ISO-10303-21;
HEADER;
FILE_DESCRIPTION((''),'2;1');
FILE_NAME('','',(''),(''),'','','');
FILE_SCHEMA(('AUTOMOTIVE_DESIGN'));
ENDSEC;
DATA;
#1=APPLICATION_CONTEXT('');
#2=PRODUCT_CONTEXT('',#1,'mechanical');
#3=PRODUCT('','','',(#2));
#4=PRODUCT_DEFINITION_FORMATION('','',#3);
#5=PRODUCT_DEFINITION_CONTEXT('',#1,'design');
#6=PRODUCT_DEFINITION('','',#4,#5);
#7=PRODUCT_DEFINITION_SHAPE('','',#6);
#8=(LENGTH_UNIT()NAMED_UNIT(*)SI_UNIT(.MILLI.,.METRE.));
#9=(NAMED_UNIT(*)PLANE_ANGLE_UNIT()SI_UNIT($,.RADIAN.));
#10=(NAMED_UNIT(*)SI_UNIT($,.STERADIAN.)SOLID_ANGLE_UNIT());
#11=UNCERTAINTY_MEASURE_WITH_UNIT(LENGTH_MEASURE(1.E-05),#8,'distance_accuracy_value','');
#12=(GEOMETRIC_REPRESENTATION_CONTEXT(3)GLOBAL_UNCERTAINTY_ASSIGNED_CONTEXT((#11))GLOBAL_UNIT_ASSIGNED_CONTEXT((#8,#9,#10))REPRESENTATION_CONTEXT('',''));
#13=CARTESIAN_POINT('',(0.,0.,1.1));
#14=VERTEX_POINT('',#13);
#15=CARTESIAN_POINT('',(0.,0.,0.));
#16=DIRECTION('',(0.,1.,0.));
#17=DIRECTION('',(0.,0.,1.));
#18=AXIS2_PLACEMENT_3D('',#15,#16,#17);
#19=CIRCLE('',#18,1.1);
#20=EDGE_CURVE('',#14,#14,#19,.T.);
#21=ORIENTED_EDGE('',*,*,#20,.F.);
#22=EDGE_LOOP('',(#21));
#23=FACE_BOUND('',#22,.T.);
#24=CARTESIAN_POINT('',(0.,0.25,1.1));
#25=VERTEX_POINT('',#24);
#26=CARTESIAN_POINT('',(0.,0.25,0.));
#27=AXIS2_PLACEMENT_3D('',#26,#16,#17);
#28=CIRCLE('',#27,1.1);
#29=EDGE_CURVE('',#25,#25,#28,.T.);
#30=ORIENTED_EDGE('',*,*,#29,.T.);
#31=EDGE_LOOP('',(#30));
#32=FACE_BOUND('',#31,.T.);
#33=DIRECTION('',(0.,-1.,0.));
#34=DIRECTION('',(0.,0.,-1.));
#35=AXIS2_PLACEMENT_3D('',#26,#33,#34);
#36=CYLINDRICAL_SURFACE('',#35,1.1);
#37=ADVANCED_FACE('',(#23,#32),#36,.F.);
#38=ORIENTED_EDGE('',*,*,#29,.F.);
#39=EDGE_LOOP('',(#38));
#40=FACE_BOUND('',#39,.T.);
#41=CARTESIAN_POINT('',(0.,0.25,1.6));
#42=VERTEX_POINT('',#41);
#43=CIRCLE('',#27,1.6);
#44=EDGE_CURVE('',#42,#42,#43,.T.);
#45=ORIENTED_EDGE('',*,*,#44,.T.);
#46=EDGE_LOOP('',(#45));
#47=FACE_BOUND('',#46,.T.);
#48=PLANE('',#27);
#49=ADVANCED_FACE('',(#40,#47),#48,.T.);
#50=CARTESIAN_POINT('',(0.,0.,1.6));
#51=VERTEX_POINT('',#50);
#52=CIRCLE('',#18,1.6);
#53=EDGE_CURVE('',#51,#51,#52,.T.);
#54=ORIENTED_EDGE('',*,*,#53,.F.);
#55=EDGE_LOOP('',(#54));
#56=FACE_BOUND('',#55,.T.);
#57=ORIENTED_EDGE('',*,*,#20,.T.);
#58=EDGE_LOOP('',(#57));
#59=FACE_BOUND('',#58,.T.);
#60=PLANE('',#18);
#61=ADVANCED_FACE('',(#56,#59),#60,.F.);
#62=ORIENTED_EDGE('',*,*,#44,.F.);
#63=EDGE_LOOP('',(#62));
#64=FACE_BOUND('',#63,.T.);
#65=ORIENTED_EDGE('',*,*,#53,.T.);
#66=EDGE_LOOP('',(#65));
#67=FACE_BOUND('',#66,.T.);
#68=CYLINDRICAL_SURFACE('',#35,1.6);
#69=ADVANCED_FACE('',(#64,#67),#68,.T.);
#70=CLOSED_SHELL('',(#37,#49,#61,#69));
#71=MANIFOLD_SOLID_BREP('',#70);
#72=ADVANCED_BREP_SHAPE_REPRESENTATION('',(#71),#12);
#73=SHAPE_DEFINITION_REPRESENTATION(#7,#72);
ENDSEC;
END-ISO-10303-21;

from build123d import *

# Parameters (mm, degrees)
ESQUISSE1_R        = 1.6
ESQUISSE1_R_2      = 1.1
BOSS_EXTRU_1_DEPTH = 0.25


with BuildPart() as part:
    # Esquisse1 → Boss.-Extru.1 (new body)
    with BuildSketch(Plane(origin=(0, 0, 0), x_dir=(1, 0, 0), z_dir=(0, 1, 0))):
        with Locations(Location((0, 0, 0), (0, 0, 270))):  # turned: the seam where the file's is
            Circle(ESQUISSE1_R)
        with Locations(Location((0, 0, 0), (0, 0, 270))):  # turned: the seam where the file's is
            Circle(ESQUISSE1_R_2, mode=Mode.SUBTRACT)
    extrude(amount=BOSS_EXTRU_1_DEPTH)


solid = part.part
